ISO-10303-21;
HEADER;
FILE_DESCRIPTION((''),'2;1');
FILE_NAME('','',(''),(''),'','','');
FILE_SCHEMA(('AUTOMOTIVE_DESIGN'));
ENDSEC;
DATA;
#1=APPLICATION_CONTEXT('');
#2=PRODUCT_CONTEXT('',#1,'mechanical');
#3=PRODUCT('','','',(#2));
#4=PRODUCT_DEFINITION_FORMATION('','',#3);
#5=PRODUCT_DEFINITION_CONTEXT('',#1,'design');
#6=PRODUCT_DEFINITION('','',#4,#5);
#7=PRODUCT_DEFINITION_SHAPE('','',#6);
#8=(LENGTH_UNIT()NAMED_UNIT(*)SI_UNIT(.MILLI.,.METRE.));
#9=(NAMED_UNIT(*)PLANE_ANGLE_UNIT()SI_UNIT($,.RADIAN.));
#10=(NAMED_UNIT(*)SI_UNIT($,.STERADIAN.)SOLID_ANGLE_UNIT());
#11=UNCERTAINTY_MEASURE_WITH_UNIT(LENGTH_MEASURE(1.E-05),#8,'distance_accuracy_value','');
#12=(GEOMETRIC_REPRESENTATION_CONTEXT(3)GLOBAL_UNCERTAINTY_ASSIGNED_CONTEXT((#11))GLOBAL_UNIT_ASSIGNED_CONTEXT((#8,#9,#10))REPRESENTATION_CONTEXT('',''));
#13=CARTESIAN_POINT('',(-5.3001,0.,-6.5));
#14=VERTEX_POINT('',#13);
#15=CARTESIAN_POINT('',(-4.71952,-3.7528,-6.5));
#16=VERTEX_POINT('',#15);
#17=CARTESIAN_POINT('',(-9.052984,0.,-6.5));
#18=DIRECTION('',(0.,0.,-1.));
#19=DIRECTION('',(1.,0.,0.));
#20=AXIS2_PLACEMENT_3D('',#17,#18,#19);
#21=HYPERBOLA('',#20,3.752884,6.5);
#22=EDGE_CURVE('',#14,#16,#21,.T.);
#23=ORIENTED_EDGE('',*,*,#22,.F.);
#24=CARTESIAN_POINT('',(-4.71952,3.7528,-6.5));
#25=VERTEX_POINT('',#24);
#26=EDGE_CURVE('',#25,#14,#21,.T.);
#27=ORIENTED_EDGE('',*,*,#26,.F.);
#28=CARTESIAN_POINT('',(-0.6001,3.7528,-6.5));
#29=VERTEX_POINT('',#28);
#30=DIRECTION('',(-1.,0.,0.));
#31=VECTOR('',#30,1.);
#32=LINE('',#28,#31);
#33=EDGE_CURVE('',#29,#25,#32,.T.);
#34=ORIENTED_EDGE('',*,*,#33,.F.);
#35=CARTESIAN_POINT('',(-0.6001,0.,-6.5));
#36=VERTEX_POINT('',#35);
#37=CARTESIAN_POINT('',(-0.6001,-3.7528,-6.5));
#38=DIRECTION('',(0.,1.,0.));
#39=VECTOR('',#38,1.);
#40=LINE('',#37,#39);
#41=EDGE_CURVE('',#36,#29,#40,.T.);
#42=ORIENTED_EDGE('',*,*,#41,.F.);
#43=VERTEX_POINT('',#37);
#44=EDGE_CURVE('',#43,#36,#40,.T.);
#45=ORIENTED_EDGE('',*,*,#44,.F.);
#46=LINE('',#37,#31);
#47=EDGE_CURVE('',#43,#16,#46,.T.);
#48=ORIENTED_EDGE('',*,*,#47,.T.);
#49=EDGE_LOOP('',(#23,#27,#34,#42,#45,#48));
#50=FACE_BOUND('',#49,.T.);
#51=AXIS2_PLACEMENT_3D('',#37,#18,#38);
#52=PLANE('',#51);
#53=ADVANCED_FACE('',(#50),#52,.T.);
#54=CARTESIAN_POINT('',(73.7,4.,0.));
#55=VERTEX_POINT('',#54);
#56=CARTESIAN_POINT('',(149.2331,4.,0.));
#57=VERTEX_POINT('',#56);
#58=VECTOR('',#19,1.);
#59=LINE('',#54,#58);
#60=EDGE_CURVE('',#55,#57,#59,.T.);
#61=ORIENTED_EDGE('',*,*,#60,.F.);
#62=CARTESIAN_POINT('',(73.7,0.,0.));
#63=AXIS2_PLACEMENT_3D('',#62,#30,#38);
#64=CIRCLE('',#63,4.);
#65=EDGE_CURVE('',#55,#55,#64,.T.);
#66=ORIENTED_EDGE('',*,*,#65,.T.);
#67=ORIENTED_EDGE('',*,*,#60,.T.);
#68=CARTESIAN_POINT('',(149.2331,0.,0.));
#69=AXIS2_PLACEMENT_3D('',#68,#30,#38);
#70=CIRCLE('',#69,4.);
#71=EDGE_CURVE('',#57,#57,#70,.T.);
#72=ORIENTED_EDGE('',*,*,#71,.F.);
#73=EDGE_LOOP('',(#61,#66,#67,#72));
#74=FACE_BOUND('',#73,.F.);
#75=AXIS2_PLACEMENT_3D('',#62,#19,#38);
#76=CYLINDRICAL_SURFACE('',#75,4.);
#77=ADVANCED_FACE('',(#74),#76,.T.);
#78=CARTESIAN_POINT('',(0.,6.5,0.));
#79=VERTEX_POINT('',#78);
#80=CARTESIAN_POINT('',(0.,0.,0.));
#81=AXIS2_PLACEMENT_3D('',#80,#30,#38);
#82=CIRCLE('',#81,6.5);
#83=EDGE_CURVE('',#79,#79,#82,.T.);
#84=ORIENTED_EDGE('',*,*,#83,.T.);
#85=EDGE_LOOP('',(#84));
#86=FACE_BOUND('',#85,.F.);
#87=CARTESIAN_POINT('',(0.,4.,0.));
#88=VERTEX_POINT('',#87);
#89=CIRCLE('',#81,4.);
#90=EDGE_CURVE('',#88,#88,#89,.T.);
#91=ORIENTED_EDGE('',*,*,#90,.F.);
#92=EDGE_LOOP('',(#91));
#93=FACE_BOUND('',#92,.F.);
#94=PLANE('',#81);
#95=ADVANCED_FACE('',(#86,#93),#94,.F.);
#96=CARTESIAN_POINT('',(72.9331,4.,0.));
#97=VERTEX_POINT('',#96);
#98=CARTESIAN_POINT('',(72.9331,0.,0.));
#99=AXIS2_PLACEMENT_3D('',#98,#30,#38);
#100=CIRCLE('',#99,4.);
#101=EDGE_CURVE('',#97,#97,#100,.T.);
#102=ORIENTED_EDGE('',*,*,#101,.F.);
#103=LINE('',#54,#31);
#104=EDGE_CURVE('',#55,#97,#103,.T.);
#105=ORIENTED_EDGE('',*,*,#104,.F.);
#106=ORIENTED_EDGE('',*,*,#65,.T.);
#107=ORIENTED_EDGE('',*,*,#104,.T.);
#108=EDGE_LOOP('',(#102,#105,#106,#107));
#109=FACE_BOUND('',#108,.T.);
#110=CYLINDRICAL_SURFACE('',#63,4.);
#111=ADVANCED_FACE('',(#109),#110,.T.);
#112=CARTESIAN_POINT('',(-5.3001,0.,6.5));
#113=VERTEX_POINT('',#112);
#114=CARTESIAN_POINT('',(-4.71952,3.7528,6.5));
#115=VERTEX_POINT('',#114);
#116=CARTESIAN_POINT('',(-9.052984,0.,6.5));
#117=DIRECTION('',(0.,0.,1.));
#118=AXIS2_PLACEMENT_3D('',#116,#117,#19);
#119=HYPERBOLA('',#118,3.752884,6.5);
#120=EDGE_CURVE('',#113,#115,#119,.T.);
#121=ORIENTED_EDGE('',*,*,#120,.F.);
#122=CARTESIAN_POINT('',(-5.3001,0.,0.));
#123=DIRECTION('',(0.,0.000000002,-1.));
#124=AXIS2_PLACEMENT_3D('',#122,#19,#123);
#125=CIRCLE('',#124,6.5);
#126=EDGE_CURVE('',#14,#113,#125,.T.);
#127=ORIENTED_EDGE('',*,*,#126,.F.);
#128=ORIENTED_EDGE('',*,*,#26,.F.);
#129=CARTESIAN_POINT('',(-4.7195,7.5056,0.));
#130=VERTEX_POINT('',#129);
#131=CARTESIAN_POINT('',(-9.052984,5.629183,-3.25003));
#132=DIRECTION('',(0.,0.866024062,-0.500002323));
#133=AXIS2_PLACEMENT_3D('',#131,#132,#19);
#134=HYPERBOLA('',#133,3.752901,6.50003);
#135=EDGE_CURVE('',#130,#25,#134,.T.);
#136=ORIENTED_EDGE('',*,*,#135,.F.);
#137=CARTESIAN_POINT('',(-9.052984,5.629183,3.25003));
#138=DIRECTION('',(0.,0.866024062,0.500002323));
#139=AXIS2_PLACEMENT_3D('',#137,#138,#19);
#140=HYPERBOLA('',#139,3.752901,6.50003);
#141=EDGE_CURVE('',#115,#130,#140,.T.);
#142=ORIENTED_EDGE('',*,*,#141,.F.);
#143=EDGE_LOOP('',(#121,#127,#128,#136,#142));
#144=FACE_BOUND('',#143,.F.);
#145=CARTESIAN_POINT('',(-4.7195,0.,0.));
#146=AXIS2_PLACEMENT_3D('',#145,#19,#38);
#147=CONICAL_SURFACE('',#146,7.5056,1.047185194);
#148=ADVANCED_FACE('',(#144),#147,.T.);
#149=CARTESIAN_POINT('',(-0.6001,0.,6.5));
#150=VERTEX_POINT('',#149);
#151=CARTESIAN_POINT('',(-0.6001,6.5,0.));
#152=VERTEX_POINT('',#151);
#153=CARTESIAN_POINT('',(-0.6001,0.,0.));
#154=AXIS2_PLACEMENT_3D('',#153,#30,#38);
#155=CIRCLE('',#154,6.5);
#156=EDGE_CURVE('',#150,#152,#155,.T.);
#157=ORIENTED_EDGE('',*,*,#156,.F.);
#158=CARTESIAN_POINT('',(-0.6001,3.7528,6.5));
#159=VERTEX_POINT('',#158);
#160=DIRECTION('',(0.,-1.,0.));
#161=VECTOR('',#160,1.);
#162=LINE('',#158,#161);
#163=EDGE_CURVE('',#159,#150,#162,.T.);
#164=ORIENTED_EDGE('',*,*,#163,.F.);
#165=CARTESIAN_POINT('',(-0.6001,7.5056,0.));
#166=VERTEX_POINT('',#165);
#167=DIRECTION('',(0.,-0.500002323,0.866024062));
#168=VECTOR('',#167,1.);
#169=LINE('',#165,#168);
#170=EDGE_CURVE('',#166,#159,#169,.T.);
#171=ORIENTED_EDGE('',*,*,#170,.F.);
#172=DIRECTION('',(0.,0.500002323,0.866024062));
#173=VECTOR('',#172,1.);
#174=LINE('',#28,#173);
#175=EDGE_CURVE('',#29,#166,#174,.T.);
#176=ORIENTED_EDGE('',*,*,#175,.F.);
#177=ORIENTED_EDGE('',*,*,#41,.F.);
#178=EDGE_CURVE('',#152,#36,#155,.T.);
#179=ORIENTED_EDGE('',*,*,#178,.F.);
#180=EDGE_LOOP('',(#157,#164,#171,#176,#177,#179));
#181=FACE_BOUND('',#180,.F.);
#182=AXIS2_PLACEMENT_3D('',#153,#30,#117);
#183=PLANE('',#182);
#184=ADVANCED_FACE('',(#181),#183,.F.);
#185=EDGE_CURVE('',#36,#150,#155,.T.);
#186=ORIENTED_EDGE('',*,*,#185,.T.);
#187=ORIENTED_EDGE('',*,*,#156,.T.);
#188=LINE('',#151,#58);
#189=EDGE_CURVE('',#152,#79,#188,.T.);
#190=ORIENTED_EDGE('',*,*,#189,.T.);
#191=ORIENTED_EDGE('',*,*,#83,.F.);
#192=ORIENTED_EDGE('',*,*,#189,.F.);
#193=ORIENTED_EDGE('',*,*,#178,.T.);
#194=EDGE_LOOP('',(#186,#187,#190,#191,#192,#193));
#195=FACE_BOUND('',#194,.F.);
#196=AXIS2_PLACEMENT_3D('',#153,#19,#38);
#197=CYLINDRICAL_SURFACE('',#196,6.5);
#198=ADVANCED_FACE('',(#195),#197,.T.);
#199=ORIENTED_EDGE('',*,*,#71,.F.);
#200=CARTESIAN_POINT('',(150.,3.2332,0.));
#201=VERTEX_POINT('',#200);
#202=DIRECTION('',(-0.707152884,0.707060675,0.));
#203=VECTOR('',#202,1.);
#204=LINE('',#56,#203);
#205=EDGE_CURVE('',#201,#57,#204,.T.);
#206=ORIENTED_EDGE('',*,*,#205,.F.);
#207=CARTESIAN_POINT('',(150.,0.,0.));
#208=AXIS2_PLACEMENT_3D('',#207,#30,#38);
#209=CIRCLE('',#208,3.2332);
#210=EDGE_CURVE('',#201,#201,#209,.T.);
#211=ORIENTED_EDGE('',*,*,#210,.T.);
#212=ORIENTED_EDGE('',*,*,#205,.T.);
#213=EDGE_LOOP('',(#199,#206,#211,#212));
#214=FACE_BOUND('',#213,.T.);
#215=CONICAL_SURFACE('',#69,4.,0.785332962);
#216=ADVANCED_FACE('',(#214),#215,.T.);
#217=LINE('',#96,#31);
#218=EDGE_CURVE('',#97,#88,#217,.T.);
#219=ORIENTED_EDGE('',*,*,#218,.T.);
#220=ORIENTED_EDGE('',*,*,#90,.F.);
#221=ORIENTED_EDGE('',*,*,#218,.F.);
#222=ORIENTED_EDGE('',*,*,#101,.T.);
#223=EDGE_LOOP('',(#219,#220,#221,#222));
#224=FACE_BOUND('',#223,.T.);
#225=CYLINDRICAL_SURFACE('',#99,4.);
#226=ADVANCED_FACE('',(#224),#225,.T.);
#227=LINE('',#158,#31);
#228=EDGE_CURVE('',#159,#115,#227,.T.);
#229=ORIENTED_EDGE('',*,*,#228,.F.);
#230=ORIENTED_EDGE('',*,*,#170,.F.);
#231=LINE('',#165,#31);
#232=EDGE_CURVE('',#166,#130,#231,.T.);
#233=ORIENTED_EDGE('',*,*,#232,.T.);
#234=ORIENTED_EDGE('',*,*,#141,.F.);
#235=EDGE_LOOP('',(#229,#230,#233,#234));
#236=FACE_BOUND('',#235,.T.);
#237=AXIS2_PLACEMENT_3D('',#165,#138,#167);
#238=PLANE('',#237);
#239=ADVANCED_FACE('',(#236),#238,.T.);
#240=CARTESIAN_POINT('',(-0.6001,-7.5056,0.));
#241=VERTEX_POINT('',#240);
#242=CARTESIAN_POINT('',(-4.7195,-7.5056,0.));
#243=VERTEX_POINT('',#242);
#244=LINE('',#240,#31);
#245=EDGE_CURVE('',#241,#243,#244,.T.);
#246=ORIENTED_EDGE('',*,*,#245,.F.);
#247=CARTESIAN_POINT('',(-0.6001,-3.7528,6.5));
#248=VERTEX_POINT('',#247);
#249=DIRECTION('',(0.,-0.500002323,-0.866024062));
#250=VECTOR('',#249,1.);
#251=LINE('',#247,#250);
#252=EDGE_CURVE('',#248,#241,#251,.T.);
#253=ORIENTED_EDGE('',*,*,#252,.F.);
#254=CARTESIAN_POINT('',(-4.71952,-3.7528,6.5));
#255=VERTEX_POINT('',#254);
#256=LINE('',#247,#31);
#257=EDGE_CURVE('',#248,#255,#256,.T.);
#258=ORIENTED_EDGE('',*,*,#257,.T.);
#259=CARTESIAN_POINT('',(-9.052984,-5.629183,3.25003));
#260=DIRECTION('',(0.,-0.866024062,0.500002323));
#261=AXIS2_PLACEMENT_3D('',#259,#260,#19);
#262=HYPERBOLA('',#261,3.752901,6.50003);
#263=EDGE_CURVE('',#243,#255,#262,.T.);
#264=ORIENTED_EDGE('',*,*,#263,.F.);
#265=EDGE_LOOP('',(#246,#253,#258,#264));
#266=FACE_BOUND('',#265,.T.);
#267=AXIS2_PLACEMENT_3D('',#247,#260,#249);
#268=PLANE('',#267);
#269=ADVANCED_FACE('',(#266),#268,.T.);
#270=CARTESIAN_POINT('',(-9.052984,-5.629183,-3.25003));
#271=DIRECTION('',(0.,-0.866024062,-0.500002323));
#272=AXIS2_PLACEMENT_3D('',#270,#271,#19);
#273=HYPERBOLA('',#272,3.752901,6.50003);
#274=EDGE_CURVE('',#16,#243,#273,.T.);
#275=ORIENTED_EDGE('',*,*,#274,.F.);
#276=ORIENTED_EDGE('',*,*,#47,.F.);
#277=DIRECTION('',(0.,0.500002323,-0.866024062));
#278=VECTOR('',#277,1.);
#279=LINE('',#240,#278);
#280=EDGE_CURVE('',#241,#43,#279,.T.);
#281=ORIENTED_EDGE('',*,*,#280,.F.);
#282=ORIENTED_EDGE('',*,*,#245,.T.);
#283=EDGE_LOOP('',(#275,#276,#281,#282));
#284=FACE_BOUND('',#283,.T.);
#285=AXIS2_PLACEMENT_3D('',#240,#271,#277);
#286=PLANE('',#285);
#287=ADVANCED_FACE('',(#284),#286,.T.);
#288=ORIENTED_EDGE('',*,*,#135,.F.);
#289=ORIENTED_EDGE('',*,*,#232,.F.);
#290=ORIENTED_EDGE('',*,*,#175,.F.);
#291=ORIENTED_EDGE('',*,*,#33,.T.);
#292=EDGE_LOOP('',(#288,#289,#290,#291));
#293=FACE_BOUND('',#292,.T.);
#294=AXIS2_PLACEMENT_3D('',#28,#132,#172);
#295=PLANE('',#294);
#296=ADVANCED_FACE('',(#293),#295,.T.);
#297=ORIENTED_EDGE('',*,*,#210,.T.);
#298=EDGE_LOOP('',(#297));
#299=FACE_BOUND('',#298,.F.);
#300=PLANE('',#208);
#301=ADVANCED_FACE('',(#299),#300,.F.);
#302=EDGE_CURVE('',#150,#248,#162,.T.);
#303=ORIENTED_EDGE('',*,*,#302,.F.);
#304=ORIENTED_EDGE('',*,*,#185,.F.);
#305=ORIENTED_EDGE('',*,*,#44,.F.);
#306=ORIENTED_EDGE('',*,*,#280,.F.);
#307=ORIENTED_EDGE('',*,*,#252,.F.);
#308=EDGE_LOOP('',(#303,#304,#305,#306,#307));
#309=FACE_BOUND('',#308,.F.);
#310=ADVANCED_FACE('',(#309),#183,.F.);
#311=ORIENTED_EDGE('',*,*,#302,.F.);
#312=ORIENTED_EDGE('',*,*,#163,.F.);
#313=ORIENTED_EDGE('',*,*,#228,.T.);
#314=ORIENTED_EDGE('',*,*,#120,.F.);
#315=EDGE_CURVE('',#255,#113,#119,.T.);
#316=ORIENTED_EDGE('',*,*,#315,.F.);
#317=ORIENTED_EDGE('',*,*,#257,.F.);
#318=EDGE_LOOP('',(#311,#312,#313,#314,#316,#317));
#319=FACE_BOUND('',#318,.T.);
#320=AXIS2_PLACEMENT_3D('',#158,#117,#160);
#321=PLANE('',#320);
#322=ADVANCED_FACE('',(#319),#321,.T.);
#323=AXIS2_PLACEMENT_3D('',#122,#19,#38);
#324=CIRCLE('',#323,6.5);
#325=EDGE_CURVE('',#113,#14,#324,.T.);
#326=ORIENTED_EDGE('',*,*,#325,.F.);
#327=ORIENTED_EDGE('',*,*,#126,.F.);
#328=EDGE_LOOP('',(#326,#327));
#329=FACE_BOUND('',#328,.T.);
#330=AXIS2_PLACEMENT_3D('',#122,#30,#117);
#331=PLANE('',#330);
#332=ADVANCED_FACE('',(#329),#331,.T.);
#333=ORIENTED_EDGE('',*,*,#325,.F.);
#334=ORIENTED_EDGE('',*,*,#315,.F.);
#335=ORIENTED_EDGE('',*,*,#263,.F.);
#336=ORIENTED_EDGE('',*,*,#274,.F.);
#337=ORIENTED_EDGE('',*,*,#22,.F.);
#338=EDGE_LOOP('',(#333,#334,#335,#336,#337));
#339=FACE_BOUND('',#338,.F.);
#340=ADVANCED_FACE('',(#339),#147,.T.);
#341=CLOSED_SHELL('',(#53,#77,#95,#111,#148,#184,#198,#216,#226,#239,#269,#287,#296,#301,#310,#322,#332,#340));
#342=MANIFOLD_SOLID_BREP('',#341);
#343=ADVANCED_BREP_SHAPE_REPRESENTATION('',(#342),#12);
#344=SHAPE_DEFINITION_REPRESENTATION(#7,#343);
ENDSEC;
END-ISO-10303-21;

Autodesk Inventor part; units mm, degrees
ref_plane "YZ Plane" through (0, 0, 0) normal (1, 0, 0) x (0, 1, 0)
ref_plane "XZ Plane" through (0, 0, 0) normal (0, 1, 0) x (-1, 0, 0)
sketch "Sketch1" plane through (0, 0, 0) normal (0, 0, 1) x (1, 0, 0)
  line L0 (0, 6.5) -> (0, 4)
  line L1 (73.7, 4) -> (150, 4)
  line L2 (150, 4) -> (150, 0)
  line L3 (150, 0) -> (-0.6001, 0)
  line L4 (-30.7201, 0) -> (180.12, 0) projected
  line L5 (-0.6001, 0) -> (-0.6001, 6.5)
  line L6 (-0.6001, 6.5) -> (0, 6.5)
  line L7 (73.7, 4) -> (72.9331, 4)
  line L8 (72.9331, 4) -> (0, 4)
  line L9 (0, -1.3) -> (0, 7.8) projected
  dimension "d0" = 150
  dimension "d1" = 76.3
  dimension "d2" = 8
  dimension "d9" = 0.6001
  dimension "d10" = 13
  dimension "d13" = 0.7669
  dimension "d14" = 8
revolve "Body" add sketch "Sketch1" angle 360 about axis through (150, 0, 0) along (-1, 0, 0)
sketch "Sketch2" plane through (-0.6001, 0, 0) normal (-1, 0, 0) x (0, 0, 1)
  line L0 (0, 7.5056) -> (6.5, 3.7528)
  line L1 (6.5, 3.7528) -> (6.5, -3.7528)
  line L2 (6.5, -3.7528) -> (0, -7.5056)
  line L3 (0, -7.5056) -> (-6.5, -3.7528)
  line L4 (-6.5, -3.7528) -> (-6.5, 3.7528)
  line L5 (-6.5, 3.7528) -> (0, 7.5056)
  point P0 (0, 0)
  point P1 (0, 0)
  dimension "d11" = 13
extrude "Head" add sketch "Sketch2" along normal blind 4.7
sketch "Sketch4" plane through (0, 0, 0) normal (0, 0, 1) x (1, 0, 0)
  line L0 (-5.3001, 6.5) -> (-5.3001, 7.5056)
  line L1 (-5.3001, 7.5056) -> (-4.7195, 7.5056)
  line L2 (-4.7195, 7.5056) -> (-5.3001, 6.5)
  line L3 (-6.2401, 0) -> (0.3399, 0) projected
  line L4 (-0.6001, 7.5056) -> (-5.3001, 7.5056) projected
  line L5 (-5.3001, 3.7528) -> (-5.3001, 7.5056) projected
  dimension "d5" = 30
  dimension "d19" = 13
revolve "Chamfer1" cut sketch "Sketch4" angle 360 about axis through (-10, 0, 0) along (1, 0, 0)
thread "Thread" size "M8x1.25" class "6g" standard "ISO Metric profile" length 76.3
chamfer "Chamfer2" distance 0.7668 distance2 0.7669 1 edges at (150, -4, 0) measured on face at (150, 0.998, -0.8842)
ref_plane "Work Plane1" through (1.525, 0, 0) normal (0, 0, 1) x (1, 0, 0)
equation "\"d1\" = GEL"
equation "\"d2\" = GD"
equation "\"d10\" = SD2"
equation "\"d14\" = BDM"
equation "\"d11\" = SW"
equation "\"d3\" = KOH - SD"
equation "\"d5\" = ANG1"
equation "\"d19\" = SW0"
equation "\"d15\" = GEL"
equation "\"d6\" = -0.5 * SPD + 0.5 * GD"
equation "\"GD\" = NND"
equation "\"BDM\" = NND"
equation "\"KOH\" = 5.3"
equation "\"GEL\" = 76.3"
equation "\"SW\" = 13"
equation "\"SW0\" = SW"
equation "\"SPD\" = NND - 1.2269 * PTC"
equation "\"SD2\" = SW"
equation "\"SD\" = 0.6"
equation "\"ANG1\" = 30deg"
equation "\"GAL\" = 0.61345 * PTC"
equation "\"GUL\" = 0.61345 * PTC"
equation "\"RR\" = 0.4"
equation "\"WFT\" = SD"
equation "\"GD1\" = THREADDIA - 1.2269 * PTC"
equation "\"THREADDIA\" = 8"
equation "\"SDH\" = SW"
equation "\"TOA\" = 30deg"
equation "\"FAWI\" = 45deg"
equation "\"PTC\" = 1.25"
equation "\"NND\" = 8"
equation "\"E0\" = 1.155 * SW"
properties part number "AS 1110 - M8 x 80" material "Steel, Mild"
